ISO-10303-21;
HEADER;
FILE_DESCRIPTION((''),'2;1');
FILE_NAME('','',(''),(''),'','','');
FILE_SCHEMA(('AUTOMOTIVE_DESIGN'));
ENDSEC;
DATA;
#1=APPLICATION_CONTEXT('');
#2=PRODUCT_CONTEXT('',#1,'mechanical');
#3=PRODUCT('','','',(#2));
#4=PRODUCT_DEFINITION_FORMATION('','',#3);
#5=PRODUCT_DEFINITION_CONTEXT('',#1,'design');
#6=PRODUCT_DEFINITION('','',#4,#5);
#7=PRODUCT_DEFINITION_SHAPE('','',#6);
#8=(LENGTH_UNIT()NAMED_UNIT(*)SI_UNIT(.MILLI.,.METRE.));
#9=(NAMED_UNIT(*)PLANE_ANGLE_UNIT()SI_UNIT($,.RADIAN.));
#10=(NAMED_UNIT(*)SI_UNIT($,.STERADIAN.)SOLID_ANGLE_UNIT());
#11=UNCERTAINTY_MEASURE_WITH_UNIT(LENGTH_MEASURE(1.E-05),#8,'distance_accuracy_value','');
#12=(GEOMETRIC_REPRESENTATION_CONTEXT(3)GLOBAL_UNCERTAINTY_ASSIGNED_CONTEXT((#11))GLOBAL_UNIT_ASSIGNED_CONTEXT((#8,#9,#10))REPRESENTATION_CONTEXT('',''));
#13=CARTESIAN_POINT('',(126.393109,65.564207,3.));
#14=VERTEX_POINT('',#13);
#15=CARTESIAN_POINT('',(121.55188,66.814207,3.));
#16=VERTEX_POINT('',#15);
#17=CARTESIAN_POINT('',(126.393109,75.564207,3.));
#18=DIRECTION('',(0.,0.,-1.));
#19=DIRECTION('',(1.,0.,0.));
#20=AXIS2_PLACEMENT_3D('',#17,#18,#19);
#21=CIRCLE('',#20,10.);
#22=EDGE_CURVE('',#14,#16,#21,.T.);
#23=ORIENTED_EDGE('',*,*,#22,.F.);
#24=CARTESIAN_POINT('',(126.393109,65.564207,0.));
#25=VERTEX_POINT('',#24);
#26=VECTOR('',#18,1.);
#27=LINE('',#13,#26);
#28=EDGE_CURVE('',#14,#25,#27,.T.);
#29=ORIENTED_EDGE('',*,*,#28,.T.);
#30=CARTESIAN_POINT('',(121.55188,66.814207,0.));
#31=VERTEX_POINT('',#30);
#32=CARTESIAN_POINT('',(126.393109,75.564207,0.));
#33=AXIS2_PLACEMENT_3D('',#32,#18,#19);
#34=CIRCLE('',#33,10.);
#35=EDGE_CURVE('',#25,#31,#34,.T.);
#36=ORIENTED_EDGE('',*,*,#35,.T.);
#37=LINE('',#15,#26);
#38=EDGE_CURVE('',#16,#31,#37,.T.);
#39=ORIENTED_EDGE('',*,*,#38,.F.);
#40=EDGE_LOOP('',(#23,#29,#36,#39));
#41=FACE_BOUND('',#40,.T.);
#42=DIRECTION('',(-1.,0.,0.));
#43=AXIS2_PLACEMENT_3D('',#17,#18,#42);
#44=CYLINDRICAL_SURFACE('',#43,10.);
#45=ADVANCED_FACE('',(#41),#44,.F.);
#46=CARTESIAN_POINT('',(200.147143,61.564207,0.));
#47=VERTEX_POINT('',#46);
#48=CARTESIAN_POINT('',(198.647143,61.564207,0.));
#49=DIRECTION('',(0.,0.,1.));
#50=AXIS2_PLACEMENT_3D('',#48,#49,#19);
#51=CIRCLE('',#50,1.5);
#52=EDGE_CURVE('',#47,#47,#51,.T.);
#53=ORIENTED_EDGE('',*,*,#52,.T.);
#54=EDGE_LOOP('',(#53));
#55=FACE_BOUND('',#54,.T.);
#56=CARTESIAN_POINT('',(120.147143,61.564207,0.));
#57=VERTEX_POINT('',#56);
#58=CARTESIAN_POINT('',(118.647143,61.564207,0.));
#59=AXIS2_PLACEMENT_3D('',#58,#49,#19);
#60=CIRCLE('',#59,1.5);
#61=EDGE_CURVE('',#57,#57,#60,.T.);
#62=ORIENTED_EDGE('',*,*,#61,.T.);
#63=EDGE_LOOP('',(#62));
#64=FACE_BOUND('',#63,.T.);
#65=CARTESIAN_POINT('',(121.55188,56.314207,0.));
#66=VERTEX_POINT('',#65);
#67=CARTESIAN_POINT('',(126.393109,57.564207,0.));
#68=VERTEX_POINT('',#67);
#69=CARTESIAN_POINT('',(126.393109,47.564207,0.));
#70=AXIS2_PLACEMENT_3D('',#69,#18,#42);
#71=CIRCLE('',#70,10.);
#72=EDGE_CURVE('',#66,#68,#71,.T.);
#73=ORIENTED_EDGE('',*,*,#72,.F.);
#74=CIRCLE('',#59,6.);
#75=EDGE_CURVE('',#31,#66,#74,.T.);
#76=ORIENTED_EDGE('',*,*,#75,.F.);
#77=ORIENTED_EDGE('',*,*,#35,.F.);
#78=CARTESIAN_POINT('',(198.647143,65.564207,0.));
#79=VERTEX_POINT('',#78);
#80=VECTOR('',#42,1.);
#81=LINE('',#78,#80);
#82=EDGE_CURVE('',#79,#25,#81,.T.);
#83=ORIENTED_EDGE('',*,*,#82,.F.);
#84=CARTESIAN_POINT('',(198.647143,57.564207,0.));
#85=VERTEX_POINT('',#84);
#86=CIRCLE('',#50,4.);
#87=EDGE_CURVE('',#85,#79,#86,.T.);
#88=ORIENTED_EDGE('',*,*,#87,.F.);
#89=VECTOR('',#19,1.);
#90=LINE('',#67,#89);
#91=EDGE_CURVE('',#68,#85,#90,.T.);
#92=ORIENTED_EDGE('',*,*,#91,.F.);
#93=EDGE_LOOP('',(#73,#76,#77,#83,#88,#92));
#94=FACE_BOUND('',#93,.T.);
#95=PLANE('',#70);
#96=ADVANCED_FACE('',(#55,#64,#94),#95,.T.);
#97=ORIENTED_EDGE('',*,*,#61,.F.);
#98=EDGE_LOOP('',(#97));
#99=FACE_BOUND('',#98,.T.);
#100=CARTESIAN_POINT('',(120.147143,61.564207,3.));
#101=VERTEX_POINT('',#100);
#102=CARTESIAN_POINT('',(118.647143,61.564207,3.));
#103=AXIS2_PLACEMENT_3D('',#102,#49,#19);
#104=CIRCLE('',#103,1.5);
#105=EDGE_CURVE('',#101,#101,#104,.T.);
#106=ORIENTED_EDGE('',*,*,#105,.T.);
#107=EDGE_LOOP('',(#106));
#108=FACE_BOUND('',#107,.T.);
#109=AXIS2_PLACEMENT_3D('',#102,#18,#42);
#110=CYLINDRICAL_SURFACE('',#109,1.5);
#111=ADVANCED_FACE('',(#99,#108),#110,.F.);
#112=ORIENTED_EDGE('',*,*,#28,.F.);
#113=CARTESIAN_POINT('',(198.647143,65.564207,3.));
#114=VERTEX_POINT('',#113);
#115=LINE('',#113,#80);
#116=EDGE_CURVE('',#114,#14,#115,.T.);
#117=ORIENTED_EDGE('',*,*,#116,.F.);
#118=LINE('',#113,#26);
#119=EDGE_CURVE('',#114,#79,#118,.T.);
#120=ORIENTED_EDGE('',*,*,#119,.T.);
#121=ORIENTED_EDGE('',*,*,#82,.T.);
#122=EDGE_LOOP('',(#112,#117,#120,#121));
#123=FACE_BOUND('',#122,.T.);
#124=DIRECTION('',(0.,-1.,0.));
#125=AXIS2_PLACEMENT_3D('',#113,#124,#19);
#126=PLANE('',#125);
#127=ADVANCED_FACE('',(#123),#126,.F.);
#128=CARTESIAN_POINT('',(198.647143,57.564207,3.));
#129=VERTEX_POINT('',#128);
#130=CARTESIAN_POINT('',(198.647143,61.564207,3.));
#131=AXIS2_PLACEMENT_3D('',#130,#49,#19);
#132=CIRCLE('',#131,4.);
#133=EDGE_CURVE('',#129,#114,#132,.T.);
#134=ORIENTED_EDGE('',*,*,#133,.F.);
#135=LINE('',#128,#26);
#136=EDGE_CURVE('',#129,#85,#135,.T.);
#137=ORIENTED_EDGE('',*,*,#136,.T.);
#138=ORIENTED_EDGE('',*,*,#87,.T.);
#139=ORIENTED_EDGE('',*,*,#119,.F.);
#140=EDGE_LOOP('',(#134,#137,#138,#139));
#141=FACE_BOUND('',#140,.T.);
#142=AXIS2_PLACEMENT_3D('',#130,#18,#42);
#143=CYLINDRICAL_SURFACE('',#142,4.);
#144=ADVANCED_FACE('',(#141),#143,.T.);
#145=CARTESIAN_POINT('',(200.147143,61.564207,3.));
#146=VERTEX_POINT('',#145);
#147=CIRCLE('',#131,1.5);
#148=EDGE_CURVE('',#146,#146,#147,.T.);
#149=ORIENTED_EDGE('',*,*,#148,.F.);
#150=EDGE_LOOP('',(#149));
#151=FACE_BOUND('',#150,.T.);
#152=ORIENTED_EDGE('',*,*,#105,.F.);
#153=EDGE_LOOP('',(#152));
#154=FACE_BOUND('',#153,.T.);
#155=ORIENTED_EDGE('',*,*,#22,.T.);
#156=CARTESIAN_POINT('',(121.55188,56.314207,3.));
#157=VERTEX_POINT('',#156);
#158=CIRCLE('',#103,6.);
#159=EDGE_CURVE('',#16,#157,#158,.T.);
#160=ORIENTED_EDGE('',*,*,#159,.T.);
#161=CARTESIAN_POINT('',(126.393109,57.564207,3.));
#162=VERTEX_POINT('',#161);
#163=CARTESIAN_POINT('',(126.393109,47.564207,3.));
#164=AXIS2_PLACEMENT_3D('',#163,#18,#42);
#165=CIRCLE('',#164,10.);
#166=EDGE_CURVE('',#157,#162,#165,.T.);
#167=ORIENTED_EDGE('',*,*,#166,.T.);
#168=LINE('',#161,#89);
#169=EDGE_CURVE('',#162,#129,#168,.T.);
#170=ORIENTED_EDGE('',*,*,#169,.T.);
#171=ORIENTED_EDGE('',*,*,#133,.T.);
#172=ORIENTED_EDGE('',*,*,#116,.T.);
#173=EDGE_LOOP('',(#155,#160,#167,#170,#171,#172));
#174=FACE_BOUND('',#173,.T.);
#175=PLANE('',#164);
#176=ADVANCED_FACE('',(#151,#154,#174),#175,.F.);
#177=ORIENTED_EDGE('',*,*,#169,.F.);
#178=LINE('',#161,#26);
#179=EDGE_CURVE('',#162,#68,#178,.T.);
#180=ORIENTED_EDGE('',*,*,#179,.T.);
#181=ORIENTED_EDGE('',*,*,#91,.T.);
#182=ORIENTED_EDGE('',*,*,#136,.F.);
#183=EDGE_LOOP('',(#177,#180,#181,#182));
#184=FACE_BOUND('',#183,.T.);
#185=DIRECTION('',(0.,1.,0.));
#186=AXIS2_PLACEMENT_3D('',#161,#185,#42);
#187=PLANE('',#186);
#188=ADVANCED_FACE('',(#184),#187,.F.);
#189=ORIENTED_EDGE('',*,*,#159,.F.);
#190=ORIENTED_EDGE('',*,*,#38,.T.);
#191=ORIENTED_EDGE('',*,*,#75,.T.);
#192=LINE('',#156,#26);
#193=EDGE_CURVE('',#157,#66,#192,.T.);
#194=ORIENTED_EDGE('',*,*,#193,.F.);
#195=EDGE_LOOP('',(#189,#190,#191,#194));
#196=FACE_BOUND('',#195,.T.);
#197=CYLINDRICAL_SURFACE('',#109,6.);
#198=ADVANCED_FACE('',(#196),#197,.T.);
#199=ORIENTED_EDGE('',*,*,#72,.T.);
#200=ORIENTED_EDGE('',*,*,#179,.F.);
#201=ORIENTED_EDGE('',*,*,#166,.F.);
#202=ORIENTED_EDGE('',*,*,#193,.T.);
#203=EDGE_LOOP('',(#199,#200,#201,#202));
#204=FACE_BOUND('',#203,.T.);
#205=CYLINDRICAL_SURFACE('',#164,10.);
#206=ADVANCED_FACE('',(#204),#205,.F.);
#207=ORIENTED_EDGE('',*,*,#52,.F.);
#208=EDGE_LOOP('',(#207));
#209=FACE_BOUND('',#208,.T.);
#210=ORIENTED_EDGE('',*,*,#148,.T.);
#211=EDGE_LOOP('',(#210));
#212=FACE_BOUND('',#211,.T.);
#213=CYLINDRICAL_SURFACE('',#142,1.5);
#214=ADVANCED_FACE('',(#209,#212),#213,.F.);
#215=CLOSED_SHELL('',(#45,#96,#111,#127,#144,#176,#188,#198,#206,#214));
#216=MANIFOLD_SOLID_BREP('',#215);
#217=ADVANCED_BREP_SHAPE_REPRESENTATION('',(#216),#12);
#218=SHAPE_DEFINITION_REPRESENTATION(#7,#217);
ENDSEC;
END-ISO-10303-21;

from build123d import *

# Parameters (mm, degrees)
ESQUISSE15_R        = 1.5
BOSS_EXTRU_15_DEPTH = 3


with BuildPart() as part:
    # Esquisse15 → Boss.-Extru.15 (new body)
    with BuildSketch(Plane.XY):
        with BuildLine():
            Line((198.647142503, 65.56420703), (126.393109195, 65.56420703))
            ThreePointArc((126.393109195, 65.56420703), (123.893109195, 65.881748664), (121.551880013, 66.81420703))
            ThreePointArc((121.551880013, 66.81420703), (112.647142503, 61.56420703), (121.551880013, 56.31420703))
            ThreePointArc((121.551880013, 56.31420703), (123.893109195, 57.246665395), (126.393109195, 57.56420703))
            Line((126.393109195, 57.56420703), (198.647142503, 57.56420703))
            ThreePointArc((198.647142503, 57.56420703), (202.647142503, 61.56420703), (198.647142503, 65.56420703))
        make_face()
        with Locations((118.647142503, 61.56420703)):
            Circle(ESQUISSE15_R, mode=Mode.SUBTRACT)
        with Locations((198.647142503, 61.56420703)):
            Circle(ESQUISSE15_R, mode=Mode.SUBTRACT)
    extrude(amount=BOSS_EXTRU_15_DEPTH)


solid = part.part
